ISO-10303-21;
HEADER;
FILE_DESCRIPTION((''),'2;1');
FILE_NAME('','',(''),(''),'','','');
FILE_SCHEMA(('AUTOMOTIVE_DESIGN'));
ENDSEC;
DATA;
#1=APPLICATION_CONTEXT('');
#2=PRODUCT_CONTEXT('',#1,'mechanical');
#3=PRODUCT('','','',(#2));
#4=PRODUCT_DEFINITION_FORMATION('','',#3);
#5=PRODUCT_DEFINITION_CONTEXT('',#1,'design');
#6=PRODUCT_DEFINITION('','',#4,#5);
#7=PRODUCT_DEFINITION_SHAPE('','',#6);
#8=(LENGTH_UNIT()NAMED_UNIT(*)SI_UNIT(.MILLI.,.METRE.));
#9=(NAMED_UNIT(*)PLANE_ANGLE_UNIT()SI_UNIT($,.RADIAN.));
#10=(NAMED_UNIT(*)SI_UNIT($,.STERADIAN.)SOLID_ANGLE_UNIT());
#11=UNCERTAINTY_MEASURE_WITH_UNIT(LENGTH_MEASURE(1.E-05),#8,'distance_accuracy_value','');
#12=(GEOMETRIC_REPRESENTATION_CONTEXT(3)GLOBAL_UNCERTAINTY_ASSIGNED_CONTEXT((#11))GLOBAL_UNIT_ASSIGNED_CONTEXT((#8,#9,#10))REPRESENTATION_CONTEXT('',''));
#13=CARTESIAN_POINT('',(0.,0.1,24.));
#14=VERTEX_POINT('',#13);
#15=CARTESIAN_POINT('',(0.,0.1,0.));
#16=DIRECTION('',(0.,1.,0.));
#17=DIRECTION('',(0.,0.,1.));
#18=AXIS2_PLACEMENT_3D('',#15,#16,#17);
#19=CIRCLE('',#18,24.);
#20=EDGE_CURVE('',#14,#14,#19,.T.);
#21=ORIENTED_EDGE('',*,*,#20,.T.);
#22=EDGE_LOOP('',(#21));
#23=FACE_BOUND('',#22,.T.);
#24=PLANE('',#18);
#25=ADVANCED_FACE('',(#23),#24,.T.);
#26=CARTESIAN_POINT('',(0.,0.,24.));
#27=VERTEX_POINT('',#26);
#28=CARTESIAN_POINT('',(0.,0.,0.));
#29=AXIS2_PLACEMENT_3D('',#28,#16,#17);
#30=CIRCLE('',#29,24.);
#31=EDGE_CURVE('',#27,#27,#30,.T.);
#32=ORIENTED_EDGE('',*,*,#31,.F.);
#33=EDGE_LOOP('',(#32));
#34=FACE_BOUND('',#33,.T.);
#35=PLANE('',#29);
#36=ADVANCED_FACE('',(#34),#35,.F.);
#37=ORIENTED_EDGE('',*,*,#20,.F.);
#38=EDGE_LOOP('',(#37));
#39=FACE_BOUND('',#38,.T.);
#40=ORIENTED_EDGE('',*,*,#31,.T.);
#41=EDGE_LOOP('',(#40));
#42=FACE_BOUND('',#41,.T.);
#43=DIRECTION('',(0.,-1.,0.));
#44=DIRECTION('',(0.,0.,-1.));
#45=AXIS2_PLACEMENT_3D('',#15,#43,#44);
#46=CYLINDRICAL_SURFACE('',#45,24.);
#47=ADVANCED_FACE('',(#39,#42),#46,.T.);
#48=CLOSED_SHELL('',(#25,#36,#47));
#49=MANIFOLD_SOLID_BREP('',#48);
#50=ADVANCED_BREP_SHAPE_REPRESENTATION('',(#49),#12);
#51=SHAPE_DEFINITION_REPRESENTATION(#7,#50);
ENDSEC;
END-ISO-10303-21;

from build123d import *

# Parameters (mm, degrees)
SKETCH1_R           = 24
BOSS_EXTRUDE1_DEPTH = 0.1


with BuildPart() as part:
    # Sketch1 → Boss-Extrude1 (new body)
    with BuildSketch(Plane(origin=(0, 0, 0), x_dir=(1, 0, 0), z_dir=(0, 1, 0))):
        with Locations(Location((0, 0, 0), (0, 0, 270))):
            Circle(SKETCH1_R)
    extrude(amount=BOSS_EXTRUDE1_DEPTH)


solid = part.part
